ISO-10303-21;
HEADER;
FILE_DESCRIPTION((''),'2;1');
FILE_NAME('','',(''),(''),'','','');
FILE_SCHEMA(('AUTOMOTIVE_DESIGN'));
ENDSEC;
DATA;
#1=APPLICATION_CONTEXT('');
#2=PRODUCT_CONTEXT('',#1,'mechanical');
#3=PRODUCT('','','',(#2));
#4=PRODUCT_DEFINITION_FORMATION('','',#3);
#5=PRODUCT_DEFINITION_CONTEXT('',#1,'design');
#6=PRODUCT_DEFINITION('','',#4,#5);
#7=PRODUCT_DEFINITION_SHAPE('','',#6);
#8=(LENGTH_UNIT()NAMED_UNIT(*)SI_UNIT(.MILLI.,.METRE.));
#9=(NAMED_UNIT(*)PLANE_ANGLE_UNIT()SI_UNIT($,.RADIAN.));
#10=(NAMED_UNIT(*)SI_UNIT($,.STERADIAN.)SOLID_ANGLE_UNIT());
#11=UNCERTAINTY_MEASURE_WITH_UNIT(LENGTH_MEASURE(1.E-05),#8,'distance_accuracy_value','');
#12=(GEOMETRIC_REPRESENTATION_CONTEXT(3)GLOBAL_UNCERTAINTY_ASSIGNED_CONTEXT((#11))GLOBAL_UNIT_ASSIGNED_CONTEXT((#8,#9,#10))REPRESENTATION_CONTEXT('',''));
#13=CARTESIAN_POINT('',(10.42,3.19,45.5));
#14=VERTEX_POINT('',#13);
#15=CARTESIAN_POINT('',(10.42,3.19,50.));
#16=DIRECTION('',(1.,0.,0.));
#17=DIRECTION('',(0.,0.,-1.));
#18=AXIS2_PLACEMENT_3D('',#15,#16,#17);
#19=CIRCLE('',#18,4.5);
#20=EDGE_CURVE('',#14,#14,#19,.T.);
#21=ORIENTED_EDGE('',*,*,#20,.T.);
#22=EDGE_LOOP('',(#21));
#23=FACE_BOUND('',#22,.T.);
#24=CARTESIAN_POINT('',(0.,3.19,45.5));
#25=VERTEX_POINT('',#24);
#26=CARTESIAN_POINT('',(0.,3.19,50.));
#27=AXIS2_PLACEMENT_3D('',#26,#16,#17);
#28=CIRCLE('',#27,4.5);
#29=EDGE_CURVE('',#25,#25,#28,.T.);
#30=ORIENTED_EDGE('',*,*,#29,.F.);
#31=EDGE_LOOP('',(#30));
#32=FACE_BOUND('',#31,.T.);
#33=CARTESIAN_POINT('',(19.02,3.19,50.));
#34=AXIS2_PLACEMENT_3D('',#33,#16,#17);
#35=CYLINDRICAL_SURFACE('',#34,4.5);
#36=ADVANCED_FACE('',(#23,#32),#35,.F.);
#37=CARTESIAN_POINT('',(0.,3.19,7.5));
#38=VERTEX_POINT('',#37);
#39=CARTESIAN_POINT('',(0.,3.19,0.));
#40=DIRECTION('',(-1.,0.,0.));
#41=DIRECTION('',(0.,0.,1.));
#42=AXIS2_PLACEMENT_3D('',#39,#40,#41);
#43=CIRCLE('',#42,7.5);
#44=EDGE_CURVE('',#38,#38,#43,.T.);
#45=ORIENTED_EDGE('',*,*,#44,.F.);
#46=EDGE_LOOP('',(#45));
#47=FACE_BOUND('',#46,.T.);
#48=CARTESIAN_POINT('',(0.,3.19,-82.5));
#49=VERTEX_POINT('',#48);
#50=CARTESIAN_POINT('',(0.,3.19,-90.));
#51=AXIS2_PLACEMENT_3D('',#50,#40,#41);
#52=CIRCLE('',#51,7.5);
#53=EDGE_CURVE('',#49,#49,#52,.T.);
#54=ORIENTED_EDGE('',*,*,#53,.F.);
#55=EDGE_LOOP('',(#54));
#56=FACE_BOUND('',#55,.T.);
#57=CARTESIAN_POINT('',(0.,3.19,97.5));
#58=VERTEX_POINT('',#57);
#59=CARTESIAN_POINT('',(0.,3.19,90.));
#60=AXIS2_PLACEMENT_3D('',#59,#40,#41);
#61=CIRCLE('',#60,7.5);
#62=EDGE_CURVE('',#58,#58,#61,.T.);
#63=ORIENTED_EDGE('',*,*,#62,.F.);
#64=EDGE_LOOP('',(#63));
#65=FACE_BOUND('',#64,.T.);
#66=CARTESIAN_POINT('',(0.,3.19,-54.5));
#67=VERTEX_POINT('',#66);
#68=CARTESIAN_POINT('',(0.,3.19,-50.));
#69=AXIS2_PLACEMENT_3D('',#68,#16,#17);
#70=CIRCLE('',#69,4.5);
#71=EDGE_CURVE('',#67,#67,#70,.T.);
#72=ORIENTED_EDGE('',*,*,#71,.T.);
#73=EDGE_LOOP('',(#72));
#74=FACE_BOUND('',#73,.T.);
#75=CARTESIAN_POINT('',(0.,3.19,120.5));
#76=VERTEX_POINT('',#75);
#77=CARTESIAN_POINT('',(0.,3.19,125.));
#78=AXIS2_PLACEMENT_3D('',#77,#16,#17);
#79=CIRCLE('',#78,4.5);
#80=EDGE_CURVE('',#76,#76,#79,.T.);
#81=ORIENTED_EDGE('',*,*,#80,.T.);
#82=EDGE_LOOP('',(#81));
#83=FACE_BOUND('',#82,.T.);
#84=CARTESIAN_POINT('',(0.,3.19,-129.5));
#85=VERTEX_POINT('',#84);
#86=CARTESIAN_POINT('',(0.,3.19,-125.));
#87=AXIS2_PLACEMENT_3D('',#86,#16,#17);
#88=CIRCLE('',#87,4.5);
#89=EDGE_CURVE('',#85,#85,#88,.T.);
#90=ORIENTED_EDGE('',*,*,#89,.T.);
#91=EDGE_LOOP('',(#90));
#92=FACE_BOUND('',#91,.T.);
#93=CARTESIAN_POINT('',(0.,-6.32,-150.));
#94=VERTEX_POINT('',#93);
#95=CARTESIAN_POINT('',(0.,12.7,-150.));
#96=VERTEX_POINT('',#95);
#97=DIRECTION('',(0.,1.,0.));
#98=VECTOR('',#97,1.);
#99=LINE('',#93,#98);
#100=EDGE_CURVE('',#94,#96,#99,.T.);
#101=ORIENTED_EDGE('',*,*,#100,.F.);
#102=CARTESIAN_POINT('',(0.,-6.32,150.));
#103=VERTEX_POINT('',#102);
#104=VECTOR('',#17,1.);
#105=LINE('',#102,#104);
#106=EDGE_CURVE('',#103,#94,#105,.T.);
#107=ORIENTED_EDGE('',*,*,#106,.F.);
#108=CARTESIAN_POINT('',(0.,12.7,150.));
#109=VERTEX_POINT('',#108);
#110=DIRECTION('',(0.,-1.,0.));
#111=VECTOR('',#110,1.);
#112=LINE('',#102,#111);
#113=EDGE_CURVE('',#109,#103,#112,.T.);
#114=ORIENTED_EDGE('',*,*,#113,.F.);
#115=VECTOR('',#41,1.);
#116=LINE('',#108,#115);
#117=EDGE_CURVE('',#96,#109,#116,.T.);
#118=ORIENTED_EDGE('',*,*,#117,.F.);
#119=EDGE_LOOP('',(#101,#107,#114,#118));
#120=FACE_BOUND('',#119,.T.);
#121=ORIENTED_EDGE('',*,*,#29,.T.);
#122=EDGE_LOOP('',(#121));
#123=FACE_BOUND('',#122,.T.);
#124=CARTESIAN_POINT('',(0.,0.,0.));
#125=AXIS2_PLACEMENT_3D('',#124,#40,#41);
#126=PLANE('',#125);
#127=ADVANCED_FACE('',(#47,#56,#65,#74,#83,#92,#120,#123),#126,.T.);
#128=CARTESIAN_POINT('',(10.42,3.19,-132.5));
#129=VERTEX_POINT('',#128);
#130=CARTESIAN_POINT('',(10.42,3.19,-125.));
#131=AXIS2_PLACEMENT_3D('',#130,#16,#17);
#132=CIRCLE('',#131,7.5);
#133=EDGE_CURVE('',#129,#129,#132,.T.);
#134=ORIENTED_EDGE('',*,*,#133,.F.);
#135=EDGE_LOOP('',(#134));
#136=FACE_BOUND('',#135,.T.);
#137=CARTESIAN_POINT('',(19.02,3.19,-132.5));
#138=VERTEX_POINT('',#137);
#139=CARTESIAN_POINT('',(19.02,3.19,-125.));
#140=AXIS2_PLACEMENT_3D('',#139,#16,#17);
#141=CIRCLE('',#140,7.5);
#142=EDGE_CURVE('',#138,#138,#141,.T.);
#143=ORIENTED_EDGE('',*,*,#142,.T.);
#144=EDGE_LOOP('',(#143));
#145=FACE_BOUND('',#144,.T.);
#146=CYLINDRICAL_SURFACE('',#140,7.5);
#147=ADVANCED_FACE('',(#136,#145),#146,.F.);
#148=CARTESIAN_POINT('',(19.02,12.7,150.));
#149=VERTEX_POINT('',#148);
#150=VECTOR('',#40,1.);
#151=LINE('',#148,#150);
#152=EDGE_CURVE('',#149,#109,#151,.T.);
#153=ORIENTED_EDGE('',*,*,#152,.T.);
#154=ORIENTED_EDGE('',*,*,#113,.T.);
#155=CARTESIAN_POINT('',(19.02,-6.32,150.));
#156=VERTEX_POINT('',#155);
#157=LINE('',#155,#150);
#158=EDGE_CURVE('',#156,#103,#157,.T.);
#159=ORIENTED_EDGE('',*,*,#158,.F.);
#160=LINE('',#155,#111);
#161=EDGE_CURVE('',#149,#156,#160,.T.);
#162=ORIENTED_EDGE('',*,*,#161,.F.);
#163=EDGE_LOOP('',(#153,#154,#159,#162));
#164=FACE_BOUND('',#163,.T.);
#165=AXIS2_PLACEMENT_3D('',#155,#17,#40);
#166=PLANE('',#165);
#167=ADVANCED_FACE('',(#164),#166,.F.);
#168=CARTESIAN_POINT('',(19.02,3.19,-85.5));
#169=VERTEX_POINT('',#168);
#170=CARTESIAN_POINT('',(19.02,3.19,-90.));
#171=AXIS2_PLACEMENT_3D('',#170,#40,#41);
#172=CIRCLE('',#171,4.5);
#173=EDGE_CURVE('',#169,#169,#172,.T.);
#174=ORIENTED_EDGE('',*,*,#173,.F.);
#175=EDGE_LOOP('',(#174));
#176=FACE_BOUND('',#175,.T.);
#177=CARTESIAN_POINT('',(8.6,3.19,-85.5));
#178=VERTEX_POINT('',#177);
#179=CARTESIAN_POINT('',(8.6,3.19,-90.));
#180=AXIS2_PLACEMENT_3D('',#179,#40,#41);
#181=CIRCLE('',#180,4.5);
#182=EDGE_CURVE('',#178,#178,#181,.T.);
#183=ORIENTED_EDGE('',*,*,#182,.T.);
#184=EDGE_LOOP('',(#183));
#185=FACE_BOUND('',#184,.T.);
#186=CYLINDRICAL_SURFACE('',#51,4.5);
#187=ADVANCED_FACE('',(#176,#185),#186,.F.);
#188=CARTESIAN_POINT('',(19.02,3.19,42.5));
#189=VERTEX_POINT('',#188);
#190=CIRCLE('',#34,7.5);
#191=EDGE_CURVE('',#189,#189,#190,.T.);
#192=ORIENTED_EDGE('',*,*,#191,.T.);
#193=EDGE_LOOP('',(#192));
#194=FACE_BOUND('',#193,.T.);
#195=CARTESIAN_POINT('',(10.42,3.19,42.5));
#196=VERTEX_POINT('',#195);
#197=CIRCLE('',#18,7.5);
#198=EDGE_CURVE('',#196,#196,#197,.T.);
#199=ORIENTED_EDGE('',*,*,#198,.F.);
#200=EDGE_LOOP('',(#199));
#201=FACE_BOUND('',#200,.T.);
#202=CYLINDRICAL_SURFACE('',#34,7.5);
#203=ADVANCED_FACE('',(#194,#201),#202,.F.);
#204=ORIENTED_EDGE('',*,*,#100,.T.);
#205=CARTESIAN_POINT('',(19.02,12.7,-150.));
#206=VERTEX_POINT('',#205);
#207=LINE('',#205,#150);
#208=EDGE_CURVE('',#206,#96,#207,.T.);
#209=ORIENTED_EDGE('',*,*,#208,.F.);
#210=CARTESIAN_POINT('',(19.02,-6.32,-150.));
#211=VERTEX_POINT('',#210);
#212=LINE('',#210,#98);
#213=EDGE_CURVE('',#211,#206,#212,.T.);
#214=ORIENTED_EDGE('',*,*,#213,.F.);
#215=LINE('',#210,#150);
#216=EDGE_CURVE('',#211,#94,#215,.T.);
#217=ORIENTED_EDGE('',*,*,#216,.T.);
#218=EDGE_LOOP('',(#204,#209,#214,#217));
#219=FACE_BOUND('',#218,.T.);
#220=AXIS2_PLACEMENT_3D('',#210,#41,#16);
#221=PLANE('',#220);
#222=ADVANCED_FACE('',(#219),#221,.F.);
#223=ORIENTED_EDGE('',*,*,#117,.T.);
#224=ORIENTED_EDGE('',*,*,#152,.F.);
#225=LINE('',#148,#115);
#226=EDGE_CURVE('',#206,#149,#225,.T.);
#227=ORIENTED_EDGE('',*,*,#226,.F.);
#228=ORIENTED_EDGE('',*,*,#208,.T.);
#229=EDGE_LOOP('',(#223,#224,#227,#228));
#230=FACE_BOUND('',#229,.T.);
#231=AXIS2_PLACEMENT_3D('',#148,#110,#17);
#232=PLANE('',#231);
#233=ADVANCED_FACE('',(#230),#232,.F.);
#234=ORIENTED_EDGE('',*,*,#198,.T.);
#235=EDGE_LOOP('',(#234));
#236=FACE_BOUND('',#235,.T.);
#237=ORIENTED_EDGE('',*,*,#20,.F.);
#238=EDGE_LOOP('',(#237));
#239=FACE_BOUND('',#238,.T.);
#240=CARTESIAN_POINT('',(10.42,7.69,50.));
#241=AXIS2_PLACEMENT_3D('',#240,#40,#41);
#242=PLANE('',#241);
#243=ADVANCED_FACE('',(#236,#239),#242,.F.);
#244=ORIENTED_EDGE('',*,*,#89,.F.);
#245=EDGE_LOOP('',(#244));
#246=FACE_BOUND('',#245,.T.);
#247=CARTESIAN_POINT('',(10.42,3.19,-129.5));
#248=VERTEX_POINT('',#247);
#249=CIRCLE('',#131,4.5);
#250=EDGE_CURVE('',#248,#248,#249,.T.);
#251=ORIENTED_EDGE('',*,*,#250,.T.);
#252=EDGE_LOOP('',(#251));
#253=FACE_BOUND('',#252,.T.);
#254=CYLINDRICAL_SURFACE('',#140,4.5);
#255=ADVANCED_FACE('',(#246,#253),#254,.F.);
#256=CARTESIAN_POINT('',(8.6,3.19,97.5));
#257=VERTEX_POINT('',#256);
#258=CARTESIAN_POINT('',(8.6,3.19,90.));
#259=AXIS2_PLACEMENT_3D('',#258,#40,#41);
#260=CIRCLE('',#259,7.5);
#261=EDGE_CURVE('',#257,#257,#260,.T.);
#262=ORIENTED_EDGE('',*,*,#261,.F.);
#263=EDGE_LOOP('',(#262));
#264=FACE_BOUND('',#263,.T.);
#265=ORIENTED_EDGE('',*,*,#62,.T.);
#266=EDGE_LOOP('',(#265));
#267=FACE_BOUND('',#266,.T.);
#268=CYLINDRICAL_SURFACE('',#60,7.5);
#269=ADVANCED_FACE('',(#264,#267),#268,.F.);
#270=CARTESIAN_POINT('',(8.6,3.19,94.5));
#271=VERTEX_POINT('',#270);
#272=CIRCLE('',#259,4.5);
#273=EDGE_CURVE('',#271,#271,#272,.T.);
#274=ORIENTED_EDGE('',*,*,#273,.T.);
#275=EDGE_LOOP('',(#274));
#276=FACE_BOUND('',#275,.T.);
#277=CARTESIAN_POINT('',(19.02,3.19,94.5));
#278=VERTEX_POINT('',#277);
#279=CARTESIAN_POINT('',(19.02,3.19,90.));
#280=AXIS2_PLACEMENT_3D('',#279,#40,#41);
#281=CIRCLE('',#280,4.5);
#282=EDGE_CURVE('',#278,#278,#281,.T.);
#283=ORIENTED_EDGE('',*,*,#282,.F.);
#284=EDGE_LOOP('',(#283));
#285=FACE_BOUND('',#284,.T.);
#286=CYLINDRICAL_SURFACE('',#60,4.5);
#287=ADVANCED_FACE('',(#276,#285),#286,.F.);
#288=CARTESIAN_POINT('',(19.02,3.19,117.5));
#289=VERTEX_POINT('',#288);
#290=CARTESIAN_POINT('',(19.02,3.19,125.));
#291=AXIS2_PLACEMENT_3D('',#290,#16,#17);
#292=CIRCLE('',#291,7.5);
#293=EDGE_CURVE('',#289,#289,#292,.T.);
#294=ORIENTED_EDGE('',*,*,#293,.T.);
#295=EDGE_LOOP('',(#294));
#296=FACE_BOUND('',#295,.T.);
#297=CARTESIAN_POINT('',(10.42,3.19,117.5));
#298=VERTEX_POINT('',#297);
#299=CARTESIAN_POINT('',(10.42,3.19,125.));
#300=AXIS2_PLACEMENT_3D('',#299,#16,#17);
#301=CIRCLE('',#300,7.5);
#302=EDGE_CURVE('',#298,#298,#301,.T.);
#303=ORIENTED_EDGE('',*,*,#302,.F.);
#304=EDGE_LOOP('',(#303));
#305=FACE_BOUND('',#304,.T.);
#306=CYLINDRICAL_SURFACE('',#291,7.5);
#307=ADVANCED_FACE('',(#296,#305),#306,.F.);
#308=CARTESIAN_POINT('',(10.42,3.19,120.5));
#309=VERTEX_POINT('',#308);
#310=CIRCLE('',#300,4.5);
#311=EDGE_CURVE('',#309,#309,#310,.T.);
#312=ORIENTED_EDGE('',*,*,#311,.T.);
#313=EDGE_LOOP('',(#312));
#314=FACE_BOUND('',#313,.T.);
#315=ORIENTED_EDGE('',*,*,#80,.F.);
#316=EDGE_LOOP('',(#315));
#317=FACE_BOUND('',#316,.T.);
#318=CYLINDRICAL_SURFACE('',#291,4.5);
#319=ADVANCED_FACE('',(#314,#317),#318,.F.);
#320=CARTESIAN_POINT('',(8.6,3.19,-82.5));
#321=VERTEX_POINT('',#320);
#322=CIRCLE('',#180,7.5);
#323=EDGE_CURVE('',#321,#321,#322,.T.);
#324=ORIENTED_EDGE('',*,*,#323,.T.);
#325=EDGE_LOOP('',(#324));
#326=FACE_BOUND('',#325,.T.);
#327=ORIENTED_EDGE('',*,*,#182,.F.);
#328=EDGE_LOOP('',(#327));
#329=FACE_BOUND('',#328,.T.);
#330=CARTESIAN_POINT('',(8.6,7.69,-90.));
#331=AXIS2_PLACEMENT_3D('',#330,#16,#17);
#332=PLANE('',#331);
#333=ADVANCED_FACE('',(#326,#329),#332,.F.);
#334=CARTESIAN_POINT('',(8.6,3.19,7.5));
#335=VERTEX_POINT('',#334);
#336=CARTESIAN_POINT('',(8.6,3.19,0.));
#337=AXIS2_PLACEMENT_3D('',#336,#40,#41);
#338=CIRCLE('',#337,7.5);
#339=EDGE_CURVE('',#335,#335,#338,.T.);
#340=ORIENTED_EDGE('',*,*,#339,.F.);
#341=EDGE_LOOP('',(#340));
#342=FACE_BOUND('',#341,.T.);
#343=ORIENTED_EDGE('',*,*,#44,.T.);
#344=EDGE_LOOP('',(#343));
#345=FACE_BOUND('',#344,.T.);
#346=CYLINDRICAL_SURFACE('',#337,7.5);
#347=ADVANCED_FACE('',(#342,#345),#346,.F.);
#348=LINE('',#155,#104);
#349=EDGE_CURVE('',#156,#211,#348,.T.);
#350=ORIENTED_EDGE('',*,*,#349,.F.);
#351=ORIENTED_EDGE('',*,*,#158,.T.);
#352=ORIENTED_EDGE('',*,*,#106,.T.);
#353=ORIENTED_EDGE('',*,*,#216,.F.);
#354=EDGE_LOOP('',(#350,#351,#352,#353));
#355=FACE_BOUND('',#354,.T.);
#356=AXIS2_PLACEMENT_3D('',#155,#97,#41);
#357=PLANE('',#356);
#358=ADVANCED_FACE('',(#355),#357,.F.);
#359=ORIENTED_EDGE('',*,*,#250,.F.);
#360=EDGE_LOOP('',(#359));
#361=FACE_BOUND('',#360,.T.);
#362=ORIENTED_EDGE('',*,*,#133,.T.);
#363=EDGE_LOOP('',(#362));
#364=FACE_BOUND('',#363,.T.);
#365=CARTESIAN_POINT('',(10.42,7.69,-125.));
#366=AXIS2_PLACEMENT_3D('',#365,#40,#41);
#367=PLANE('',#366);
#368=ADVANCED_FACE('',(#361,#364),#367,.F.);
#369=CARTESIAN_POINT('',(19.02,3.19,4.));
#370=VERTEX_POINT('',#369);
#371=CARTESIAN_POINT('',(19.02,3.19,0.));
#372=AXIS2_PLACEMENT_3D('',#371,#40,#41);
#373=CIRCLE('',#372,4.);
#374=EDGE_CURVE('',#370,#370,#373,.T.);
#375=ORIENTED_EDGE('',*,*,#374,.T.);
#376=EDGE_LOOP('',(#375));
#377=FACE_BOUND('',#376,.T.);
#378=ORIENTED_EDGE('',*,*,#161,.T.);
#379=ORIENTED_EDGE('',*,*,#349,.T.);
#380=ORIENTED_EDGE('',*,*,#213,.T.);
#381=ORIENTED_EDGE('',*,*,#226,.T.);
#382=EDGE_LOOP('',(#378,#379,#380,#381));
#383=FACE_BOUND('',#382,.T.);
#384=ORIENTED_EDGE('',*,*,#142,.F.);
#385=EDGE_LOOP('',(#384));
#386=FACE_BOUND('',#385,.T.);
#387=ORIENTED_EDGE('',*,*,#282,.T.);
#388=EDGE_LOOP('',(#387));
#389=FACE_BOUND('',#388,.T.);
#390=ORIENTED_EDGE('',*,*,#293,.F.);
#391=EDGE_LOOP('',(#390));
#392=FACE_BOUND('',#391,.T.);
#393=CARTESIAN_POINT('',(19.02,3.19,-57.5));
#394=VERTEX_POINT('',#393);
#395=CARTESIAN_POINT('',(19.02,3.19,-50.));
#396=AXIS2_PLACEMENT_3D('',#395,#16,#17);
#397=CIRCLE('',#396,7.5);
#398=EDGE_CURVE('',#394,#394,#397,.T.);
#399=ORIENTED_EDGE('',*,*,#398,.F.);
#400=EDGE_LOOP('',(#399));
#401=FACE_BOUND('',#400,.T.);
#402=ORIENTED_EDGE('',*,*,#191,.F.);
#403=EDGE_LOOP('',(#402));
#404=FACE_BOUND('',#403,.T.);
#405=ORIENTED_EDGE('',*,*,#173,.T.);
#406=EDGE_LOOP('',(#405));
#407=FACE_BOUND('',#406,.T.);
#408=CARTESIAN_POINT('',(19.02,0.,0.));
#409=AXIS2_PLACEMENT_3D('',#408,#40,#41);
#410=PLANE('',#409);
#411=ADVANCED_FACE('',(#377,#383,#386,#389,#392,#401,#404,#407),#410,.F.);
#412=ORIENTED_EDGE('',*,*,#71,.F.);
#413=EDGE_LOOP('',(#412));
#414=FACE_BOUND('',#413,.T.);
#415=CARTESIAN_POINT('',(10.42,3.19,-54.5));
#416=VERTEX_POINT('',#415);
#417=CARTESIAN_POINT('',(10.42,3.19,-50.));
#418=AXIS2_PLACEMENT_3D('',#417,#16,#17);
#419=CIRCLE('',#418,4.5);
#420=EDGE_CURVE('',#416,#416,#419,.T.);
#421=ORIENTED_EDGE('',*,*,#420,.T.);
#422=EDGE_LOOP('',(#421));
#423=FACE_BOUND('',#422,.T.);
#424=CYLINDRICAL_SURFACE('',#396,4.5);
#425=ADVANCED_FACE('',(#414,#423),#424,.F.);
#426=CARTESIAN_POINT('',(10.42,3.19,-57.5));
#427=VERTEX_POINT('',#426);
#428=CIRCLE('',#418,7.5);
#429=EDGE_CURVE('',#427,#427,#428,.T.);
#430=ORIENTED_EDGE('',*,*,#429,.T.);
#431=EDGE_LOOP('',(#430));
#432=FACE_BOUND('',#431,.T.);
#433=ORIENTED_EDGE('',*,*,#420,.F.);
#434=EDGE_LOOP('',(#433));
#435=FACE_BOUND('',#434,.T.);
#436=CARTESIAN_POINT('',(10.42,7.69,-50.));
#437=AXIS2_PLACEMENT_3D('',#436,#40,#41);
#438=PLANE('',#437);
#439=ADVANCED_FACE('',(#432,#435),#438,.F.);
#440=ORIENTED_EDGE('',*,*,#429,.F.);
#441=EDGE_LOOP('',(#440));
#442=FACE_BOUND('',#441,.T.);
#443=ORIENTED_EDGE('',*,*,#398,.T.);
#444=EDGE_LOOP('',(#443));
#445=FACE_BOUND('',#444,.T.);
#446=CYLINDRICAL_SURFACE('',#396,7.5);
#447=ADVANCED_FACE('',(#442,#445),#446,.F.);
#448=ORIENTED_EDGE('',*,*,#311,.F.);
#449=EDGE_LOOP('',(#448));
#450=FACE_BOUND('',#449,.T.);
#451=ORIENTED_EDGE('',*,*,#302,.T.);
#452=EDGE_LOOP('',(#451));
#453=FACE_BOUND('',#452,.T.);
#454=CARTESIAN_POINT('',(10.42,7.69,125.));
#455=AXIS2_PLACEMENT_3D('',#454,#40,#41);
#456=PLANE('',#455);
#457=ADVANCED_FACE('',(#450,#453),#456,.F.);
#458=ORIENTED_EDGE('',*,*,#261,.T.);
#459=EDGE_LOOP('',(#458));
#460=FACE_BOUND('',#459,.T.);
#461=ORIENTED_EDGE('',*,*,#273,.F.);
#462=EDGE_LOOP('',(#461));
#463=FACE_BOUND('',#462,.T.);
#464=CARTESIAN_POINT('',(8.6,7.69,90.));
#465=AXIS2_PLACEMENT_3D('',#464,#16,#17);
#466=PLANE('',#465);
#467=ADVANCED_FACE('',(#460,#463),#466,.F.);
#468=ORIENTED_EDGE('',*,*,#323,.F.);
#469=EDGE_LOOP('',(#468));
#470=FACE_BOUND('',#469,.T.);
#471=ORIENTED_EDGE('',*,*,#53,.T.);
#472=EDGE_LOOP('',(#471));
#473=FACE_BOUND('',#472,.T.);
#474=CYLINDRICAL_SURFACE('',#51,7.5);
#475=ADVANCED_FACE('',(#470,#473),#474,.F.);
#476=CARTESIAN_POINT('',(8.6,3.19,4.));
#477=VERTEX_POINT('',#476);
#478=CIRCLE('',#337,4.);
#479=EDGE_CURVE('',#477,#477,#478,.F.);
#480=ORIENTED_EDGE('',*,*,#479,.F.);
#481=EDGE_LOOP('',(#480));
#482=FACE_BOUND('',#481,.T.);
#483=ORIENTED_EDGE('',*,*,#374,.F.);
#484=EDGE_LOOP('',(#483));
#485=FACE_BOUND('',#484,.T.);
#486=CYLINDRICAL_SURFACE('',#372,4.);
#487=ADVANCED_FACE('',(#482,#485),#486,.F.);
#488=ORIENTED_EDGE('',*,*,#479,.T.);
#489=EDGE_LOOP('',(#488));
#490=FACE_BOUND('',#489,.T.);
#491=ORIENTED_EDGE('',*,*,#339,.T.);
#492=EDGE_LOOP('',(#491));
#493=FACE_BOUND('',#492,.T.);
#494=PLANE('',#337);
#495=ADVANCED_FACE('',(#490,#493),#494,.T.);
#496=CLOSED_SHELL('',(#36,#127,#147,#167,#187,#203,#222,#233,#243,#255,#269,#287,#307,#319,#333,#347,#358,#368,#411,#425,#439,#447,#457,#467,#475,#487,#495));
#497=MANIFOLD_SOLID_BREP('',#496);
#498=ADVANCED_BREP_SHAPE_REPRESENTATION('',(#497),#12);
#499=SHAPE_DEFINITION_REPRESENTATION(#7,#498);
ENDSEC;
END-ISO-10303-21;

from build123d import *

# Parameters (mm, degrees)
ESBO_O1_W                                            = 300
ESBO_O1_H                                            = 19.02
ESBO_O1_R                                            = 4
RESSALTO_EXTRUS_O1_DEPTH                             = 19.02
REBAIXO_PARA_PARAFUSO_ALLEN_SEXTAVADO_DE_D           = 9
REBAIXO_PARA_PARAFUSO_ALLEN_SEXTAVADO_DE_CBORE_D     = 15
REBAIXO_PARA_PARAFUSO_ALLEN_SEXTAVADO_DE_CBORE_DEPTH = 8.6
ESBO_O5_R                                            = 4
CORTE_EXTRUS_O1_DEPTH                                = 20.02
REBAIXO_PARA_PARAFUSO_ALLEN_SEXTAVAD_2_D             = 9
REBAIXO_PARA_PARAFUSO_ALLEN_SEXTAVAD_2_CBORE_D       = 15
REBAIXO_PARA_PARAFUSO_ALLEN_SEXTAVAD_2_CBORE_DEPTH   = 8.6
ESBO_O11_R                                           = 7.5
CORTE_EXTRUS_O2_DEPTH                                = 8.6


with BuildPart() as part:
    # Esboço1 → Ressalto-extrusão1 (new body)
    with BuildSketch(Plane(origin=(0, 0, 0), x_dir=(0, 0, -1), z_dir=(1, 0, 0))):
        with Locations((0, 3.19)):
            Rectangle(ESBO_O1_W, ESBO_O1_H)
        with Locations((-50, 3.19)):
            Circle(ESBO_O1_R, mode=Mode.SUBTRACT)
        with Locations((-125, 3.19)):
            Circle(ESBO_O1_R, mode=Mode.SUBTRACT)
        with Locations((50, 3.19)):
            Circle(ESBO_O1_R, mode=Mode.SUBTRACT)
        with Locations((125, 3.19)):
            Circle(ESBO_O1_R, mode=Mode.SUBTRACT)
    extrude(amount=RESSALTO_EXTRUS_O1_DEPTH)

    # Rebaixo para parafuso Allen sextavado de (through all)
    with Locations(Plane(origin=(19.02, 3.19, 125), x_dir=(0, 0, 1), z_dir=(1, 0, 0))):
        with Locations((0, 0), (-75, 0), (-175, 0), (-250, 0)):
            CounterBoreHole(REBAIXO_PARA_PARAFUSO_ALLEN_SEXTAVADO_DE_D / 2, REBAIXO_PARA_PARAFUSO_ALLEN_SEXTAVADO_DE_CBORE_D / 2, REBAIXO_PARA_PARAFUSO_ALLEN_SEXTAVADO_DE_CBORE_DEPTH)

    # Esboço5 → Corte-extrusão1 (cut, through all)
    with BuildSketch(Plane.ZY):
        with Locations((0, 3.19)):
            Circle(ESBO_O5_R)
        with Locations((90, 3.19)):
            Circle(ESBO_O5_R)
        with Locations((-90, 3.19)):
            Circle(ESBO_O5_R)
    extrude(amount=-CORTE_EXTRUS_O1_DEPTH, mode=Mode.SUBTRACT)

    # Rebaixo para parafuso Allen sextavad 2 (through all)
    with Locations(Plane(origin=(0, 3.19, -90), x_dir=(0, 0, -1), z_dir=(-1, 0, 0))):
        with Locations((0, 0), (-180, 0)):
            CounterBoreHole(REBAIXO_PARA_PARAFUSO_ALLEN_SEXTAVAD_2_D / 2, REBAIXO_PARA_PARAFUSO_ALLEN_SEXTAVAD_2_CBORE_D / 2, REBAIXO_PARA_PARAFUSO_ALLEN_SEXTAVAD_2_CBORE_DEPTH)

    # Esboço11 → Corte-extrusão2 (cut)
    with BuildSketch(Plane.ZY):
        with Locations((0, 3.19)):
            Circle(ESBO_O11_R)
    extrude(amount=-CORTE_EXTRUS_O2_DEPTH, mode=Mode.SUBTRACT)


solid = part.part
